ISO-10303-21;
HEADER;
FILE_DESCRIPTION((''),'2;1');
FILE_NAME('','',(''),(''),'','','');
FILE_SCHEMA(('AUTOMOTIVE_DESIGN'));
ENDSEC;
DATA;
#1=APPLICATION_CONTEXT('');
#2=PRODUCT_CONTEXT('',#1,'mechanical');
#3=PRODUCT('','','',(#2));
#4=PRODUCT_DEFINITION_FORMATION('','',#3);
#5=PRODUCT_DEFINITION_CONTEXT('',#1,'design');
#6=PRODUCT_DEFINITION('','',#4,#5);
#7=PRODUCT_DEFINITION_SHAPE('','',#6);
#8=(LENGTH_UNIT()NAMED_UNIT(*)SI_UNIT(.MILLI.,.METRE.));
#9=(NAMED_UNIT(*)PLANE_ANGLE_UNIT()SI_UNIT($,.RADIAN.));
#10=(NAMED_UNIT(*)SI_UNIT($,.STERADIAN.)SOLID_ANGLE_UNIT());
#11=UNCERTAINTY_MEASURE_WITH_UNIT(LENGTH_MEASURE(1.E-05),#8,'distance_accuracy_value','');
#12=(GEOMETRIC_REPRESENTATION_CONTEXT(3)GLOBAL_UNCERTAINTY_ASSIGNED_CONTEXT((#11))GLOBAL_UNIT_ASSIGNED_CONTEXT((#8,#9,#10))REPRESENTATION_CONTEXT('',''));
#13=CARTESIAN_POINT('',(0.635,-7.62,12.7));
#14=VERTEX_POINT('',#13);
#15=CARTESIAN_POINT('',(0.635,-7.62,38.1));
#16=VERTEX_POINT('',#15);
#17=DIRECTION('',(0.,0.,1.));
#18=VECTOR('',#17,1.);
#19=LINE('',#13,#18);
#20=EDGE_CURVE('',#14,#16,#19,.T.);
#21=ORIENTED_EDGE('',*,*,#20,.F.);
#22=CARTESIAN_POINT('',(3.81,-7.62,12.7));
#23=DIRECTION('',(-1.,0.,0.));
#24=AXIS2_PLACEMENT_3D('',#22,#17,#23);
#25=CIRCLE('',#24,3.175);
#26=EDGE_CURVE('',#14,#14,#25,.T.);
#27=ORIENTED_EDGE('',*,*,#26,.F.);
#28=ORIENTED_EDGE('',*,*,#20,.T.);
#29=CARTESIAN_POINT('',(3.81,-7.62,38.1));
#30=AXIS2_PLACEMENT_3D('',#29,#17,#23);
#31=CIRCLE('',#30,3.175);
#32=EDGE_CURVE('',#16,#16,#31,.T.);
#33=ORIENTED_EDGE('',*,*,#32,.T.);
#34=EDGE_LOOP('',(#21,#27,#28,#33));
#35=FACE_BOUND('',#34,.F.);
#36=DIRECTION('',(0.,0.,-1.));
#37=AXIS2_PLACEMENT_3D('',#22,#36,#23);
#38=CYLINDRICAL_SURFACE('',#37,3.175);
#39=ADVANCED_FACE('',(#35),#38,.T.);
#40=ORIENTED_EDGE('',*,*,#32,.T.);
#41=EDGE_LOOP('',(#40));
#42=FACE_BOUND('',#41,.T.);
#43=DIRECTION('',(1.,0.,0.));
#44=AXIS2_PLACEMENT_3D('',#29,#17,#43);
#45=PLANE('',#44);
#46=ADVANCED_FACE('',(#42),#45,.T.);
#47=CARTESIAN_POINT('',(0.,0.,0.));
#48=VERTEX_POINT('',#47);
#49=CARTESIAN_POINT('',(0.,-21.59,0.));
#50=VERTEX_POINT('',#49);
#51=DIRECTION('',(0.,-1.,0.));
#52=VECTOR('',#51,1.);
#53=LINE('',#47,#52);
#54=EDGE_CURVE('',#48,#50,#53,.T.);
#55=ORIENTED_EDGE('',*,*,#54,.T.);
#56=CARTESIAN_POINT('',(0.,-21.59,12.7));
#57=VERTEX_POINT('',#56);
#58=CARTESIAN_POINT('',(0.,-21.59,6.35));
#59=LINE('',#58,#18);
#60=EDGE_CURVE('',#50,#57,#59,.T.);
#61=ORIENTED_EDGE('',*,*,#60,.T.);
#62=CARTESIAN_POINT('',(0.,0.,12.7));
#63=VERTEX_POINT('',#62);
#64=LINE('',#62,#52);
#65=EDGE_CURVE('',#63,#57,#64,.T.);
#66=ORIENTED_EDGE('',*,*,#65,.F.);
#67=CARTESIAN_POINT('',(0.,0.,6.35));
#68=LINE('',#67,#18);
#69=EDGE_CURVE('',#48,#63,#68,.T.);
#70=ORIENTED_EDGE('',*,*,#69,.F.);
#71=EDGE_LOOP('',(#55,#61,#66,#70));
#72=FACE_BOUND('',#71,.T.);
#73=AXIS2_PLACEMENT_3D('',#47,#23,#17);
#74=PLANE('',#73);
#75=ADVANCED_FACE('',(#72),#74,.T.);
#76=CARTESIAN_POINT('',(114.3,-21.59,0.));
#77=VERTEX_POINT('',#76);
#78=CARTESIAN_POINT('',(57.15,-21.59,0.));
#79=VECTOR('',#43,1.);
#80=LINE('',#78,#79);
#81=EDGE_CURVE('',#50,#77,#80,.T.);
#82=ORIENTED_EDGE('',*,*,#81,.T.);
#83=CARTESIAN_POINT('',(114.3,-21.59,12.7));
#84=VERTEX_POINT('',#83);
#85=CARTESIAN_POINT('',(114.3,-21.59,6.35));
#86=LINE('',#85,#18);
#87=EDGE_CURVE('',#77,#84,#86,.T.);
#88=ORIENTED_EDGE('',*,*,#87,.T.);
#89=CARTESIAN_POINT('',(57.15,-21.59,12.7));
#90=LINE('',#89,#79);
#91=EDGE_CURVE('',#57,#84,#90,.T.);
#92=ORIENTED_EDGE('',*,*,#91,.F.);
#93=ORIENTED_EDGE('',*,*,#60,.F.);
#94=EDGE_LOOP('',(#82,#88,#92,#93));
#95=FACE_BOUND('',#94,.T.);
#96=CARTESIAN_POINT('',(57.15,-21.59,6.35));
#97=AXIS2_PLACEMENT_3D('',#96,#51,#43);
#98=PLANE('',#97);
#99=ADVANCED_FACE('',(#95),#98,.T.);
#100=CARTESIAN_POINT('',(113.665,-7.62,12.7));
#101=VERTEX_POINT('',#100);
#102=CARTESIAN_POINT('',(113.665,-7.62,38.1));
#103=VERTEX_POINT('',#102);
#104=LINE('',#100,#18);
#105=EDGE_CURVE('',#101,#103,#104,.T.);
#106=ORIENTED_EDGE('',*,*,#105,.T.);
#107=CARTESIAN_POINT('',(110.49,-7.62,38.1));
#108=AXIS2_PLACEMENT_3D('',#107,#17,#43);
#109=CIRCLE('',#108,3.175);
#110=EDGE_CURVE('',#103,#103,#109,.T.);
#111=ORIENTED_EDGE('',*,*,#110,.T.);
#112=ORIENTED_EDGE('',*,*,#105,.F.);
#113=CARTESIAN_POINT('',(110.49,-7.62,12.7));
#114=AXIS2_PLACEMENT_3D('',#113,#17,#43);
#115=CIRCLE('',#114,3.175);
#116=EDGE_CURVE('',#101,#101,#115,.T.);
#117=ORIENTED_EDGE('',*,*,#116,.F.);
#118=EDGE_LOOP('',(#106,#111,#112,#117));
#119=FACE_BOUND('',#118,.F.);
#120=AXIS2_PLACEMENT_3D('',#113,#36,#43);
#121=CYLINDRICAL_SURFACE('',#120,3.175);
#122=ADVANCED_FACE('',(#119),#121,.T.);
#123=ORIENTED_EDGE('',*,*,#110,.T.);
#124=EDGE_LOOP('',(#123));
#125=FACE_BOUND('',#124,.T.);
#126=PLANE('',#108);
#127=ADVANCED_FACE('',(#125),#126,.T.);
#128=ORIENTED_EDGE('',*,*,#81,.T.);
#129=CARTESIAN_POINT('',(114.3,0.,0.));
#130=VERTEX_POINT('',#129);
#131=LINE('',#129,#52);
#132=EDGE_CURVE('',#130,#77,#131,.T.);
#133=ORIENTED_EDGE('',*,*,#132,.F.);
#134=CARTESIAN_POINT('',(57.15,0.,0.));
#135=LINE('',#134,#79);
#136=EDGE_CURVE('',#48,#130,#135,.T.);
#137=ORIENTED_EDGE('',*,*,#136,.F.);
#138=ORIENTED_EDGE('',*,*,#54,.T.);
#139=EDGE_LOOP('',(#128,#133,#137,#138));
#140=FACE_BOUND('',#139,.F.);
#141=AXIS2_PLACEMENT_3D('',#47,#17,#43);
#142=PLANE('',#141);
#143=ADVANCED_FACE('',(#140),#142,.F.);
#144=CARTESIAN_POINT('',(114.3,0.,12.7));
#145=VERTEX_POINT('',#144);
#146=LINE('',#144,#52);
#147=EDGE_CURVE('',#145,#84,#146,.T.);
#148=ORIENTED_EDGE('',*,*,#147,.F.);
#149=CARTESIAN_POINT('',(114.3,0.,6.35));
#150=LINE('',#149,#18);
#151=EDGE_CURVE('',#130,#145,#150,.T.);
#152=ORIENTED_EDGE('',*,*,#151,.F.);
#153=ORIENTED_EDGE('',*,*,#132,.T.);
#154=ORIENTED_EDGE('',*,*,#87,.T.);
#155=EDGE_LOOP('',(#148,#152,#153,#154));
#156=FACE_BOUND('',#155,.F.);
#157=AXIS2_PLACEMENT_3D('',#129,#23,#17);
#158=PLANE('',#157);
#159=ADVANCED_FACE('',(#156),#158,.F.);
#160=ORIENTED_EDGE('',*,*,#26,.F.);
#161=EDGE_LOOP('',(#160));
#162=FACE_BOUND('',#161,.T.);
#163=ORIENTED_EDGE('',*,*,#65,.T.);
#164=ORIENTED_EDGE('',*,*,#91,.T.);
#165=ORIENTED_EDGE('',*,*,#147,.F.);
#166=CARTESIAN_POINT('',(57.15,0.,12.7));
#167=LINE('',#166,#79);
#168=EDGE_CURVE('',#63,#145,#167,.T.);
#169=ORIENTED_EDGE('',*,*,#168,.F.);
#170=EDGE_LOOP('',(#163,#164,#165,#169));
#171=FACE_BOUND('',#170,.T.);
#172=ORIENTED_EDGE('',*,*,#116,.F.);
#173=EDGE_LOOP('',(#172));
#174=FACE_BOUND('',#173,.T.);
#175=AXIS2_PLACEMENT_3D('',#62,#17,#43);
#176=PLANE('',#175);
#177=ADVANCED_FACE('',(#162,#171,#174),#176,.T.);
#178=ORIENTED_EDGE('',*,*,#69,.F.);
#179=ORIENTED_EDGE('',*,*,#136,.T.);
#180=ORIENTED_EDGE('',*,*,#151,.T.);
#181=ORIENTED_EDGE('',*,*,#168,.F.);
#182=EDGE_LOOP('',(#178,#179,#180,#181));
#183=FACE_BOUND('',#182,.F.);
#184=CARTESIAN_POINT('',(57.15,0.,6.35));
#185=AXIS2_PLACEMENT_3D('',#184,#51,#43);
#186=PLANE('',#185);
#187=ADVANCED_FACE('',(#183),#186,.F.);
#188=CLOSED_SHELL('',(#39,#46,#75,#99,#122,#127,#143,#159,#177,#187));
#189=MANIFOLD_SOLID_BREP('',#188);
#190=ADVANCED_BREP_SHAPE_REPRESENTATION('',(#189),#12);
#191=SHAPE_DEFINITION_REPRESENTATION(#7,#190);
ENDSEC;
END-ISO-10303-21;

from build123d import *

# Parameters (mm, degrees)
F0_W     = 114.3
F0_H     = 12.7
F1_DEPTH = 21.59
F3_DEPTH = 25.4
F2_R     = 3.175
F4_DEPTH = 25.4


with BuildPart() as f1:
    # F0 (on Front) → F1 (new body)
    with BuildSketch(Plane.XZ):
        with Locations((57.15, 6.35)):
            Rectangle(F0_W, F0_H)
    extrude(amount=F1_DEPTH)

    # F2 (on face) → F3 (join)
    with BuildSketch(Plane.XY.offset(12.7)):
        with BuildLine():
            ThreePointArc((6.985, -7.62), (3.81, -4.445), (0.635, -7.62))
            ThreePointArc((0.635, -7.62), (3.81, -10.795), (6.985, -7.62))
        make_face()
    extrude(amount=F3_DEPTH)

    # F2 (on face) → F4 (join)
    with BuildSketch(Plane.XY.offset(12.7)):
        with Locations((110.49, -7.62)):
            Circle(F2_R)
    extrude(amount=F4_DEPTH)


solid = f1.part
